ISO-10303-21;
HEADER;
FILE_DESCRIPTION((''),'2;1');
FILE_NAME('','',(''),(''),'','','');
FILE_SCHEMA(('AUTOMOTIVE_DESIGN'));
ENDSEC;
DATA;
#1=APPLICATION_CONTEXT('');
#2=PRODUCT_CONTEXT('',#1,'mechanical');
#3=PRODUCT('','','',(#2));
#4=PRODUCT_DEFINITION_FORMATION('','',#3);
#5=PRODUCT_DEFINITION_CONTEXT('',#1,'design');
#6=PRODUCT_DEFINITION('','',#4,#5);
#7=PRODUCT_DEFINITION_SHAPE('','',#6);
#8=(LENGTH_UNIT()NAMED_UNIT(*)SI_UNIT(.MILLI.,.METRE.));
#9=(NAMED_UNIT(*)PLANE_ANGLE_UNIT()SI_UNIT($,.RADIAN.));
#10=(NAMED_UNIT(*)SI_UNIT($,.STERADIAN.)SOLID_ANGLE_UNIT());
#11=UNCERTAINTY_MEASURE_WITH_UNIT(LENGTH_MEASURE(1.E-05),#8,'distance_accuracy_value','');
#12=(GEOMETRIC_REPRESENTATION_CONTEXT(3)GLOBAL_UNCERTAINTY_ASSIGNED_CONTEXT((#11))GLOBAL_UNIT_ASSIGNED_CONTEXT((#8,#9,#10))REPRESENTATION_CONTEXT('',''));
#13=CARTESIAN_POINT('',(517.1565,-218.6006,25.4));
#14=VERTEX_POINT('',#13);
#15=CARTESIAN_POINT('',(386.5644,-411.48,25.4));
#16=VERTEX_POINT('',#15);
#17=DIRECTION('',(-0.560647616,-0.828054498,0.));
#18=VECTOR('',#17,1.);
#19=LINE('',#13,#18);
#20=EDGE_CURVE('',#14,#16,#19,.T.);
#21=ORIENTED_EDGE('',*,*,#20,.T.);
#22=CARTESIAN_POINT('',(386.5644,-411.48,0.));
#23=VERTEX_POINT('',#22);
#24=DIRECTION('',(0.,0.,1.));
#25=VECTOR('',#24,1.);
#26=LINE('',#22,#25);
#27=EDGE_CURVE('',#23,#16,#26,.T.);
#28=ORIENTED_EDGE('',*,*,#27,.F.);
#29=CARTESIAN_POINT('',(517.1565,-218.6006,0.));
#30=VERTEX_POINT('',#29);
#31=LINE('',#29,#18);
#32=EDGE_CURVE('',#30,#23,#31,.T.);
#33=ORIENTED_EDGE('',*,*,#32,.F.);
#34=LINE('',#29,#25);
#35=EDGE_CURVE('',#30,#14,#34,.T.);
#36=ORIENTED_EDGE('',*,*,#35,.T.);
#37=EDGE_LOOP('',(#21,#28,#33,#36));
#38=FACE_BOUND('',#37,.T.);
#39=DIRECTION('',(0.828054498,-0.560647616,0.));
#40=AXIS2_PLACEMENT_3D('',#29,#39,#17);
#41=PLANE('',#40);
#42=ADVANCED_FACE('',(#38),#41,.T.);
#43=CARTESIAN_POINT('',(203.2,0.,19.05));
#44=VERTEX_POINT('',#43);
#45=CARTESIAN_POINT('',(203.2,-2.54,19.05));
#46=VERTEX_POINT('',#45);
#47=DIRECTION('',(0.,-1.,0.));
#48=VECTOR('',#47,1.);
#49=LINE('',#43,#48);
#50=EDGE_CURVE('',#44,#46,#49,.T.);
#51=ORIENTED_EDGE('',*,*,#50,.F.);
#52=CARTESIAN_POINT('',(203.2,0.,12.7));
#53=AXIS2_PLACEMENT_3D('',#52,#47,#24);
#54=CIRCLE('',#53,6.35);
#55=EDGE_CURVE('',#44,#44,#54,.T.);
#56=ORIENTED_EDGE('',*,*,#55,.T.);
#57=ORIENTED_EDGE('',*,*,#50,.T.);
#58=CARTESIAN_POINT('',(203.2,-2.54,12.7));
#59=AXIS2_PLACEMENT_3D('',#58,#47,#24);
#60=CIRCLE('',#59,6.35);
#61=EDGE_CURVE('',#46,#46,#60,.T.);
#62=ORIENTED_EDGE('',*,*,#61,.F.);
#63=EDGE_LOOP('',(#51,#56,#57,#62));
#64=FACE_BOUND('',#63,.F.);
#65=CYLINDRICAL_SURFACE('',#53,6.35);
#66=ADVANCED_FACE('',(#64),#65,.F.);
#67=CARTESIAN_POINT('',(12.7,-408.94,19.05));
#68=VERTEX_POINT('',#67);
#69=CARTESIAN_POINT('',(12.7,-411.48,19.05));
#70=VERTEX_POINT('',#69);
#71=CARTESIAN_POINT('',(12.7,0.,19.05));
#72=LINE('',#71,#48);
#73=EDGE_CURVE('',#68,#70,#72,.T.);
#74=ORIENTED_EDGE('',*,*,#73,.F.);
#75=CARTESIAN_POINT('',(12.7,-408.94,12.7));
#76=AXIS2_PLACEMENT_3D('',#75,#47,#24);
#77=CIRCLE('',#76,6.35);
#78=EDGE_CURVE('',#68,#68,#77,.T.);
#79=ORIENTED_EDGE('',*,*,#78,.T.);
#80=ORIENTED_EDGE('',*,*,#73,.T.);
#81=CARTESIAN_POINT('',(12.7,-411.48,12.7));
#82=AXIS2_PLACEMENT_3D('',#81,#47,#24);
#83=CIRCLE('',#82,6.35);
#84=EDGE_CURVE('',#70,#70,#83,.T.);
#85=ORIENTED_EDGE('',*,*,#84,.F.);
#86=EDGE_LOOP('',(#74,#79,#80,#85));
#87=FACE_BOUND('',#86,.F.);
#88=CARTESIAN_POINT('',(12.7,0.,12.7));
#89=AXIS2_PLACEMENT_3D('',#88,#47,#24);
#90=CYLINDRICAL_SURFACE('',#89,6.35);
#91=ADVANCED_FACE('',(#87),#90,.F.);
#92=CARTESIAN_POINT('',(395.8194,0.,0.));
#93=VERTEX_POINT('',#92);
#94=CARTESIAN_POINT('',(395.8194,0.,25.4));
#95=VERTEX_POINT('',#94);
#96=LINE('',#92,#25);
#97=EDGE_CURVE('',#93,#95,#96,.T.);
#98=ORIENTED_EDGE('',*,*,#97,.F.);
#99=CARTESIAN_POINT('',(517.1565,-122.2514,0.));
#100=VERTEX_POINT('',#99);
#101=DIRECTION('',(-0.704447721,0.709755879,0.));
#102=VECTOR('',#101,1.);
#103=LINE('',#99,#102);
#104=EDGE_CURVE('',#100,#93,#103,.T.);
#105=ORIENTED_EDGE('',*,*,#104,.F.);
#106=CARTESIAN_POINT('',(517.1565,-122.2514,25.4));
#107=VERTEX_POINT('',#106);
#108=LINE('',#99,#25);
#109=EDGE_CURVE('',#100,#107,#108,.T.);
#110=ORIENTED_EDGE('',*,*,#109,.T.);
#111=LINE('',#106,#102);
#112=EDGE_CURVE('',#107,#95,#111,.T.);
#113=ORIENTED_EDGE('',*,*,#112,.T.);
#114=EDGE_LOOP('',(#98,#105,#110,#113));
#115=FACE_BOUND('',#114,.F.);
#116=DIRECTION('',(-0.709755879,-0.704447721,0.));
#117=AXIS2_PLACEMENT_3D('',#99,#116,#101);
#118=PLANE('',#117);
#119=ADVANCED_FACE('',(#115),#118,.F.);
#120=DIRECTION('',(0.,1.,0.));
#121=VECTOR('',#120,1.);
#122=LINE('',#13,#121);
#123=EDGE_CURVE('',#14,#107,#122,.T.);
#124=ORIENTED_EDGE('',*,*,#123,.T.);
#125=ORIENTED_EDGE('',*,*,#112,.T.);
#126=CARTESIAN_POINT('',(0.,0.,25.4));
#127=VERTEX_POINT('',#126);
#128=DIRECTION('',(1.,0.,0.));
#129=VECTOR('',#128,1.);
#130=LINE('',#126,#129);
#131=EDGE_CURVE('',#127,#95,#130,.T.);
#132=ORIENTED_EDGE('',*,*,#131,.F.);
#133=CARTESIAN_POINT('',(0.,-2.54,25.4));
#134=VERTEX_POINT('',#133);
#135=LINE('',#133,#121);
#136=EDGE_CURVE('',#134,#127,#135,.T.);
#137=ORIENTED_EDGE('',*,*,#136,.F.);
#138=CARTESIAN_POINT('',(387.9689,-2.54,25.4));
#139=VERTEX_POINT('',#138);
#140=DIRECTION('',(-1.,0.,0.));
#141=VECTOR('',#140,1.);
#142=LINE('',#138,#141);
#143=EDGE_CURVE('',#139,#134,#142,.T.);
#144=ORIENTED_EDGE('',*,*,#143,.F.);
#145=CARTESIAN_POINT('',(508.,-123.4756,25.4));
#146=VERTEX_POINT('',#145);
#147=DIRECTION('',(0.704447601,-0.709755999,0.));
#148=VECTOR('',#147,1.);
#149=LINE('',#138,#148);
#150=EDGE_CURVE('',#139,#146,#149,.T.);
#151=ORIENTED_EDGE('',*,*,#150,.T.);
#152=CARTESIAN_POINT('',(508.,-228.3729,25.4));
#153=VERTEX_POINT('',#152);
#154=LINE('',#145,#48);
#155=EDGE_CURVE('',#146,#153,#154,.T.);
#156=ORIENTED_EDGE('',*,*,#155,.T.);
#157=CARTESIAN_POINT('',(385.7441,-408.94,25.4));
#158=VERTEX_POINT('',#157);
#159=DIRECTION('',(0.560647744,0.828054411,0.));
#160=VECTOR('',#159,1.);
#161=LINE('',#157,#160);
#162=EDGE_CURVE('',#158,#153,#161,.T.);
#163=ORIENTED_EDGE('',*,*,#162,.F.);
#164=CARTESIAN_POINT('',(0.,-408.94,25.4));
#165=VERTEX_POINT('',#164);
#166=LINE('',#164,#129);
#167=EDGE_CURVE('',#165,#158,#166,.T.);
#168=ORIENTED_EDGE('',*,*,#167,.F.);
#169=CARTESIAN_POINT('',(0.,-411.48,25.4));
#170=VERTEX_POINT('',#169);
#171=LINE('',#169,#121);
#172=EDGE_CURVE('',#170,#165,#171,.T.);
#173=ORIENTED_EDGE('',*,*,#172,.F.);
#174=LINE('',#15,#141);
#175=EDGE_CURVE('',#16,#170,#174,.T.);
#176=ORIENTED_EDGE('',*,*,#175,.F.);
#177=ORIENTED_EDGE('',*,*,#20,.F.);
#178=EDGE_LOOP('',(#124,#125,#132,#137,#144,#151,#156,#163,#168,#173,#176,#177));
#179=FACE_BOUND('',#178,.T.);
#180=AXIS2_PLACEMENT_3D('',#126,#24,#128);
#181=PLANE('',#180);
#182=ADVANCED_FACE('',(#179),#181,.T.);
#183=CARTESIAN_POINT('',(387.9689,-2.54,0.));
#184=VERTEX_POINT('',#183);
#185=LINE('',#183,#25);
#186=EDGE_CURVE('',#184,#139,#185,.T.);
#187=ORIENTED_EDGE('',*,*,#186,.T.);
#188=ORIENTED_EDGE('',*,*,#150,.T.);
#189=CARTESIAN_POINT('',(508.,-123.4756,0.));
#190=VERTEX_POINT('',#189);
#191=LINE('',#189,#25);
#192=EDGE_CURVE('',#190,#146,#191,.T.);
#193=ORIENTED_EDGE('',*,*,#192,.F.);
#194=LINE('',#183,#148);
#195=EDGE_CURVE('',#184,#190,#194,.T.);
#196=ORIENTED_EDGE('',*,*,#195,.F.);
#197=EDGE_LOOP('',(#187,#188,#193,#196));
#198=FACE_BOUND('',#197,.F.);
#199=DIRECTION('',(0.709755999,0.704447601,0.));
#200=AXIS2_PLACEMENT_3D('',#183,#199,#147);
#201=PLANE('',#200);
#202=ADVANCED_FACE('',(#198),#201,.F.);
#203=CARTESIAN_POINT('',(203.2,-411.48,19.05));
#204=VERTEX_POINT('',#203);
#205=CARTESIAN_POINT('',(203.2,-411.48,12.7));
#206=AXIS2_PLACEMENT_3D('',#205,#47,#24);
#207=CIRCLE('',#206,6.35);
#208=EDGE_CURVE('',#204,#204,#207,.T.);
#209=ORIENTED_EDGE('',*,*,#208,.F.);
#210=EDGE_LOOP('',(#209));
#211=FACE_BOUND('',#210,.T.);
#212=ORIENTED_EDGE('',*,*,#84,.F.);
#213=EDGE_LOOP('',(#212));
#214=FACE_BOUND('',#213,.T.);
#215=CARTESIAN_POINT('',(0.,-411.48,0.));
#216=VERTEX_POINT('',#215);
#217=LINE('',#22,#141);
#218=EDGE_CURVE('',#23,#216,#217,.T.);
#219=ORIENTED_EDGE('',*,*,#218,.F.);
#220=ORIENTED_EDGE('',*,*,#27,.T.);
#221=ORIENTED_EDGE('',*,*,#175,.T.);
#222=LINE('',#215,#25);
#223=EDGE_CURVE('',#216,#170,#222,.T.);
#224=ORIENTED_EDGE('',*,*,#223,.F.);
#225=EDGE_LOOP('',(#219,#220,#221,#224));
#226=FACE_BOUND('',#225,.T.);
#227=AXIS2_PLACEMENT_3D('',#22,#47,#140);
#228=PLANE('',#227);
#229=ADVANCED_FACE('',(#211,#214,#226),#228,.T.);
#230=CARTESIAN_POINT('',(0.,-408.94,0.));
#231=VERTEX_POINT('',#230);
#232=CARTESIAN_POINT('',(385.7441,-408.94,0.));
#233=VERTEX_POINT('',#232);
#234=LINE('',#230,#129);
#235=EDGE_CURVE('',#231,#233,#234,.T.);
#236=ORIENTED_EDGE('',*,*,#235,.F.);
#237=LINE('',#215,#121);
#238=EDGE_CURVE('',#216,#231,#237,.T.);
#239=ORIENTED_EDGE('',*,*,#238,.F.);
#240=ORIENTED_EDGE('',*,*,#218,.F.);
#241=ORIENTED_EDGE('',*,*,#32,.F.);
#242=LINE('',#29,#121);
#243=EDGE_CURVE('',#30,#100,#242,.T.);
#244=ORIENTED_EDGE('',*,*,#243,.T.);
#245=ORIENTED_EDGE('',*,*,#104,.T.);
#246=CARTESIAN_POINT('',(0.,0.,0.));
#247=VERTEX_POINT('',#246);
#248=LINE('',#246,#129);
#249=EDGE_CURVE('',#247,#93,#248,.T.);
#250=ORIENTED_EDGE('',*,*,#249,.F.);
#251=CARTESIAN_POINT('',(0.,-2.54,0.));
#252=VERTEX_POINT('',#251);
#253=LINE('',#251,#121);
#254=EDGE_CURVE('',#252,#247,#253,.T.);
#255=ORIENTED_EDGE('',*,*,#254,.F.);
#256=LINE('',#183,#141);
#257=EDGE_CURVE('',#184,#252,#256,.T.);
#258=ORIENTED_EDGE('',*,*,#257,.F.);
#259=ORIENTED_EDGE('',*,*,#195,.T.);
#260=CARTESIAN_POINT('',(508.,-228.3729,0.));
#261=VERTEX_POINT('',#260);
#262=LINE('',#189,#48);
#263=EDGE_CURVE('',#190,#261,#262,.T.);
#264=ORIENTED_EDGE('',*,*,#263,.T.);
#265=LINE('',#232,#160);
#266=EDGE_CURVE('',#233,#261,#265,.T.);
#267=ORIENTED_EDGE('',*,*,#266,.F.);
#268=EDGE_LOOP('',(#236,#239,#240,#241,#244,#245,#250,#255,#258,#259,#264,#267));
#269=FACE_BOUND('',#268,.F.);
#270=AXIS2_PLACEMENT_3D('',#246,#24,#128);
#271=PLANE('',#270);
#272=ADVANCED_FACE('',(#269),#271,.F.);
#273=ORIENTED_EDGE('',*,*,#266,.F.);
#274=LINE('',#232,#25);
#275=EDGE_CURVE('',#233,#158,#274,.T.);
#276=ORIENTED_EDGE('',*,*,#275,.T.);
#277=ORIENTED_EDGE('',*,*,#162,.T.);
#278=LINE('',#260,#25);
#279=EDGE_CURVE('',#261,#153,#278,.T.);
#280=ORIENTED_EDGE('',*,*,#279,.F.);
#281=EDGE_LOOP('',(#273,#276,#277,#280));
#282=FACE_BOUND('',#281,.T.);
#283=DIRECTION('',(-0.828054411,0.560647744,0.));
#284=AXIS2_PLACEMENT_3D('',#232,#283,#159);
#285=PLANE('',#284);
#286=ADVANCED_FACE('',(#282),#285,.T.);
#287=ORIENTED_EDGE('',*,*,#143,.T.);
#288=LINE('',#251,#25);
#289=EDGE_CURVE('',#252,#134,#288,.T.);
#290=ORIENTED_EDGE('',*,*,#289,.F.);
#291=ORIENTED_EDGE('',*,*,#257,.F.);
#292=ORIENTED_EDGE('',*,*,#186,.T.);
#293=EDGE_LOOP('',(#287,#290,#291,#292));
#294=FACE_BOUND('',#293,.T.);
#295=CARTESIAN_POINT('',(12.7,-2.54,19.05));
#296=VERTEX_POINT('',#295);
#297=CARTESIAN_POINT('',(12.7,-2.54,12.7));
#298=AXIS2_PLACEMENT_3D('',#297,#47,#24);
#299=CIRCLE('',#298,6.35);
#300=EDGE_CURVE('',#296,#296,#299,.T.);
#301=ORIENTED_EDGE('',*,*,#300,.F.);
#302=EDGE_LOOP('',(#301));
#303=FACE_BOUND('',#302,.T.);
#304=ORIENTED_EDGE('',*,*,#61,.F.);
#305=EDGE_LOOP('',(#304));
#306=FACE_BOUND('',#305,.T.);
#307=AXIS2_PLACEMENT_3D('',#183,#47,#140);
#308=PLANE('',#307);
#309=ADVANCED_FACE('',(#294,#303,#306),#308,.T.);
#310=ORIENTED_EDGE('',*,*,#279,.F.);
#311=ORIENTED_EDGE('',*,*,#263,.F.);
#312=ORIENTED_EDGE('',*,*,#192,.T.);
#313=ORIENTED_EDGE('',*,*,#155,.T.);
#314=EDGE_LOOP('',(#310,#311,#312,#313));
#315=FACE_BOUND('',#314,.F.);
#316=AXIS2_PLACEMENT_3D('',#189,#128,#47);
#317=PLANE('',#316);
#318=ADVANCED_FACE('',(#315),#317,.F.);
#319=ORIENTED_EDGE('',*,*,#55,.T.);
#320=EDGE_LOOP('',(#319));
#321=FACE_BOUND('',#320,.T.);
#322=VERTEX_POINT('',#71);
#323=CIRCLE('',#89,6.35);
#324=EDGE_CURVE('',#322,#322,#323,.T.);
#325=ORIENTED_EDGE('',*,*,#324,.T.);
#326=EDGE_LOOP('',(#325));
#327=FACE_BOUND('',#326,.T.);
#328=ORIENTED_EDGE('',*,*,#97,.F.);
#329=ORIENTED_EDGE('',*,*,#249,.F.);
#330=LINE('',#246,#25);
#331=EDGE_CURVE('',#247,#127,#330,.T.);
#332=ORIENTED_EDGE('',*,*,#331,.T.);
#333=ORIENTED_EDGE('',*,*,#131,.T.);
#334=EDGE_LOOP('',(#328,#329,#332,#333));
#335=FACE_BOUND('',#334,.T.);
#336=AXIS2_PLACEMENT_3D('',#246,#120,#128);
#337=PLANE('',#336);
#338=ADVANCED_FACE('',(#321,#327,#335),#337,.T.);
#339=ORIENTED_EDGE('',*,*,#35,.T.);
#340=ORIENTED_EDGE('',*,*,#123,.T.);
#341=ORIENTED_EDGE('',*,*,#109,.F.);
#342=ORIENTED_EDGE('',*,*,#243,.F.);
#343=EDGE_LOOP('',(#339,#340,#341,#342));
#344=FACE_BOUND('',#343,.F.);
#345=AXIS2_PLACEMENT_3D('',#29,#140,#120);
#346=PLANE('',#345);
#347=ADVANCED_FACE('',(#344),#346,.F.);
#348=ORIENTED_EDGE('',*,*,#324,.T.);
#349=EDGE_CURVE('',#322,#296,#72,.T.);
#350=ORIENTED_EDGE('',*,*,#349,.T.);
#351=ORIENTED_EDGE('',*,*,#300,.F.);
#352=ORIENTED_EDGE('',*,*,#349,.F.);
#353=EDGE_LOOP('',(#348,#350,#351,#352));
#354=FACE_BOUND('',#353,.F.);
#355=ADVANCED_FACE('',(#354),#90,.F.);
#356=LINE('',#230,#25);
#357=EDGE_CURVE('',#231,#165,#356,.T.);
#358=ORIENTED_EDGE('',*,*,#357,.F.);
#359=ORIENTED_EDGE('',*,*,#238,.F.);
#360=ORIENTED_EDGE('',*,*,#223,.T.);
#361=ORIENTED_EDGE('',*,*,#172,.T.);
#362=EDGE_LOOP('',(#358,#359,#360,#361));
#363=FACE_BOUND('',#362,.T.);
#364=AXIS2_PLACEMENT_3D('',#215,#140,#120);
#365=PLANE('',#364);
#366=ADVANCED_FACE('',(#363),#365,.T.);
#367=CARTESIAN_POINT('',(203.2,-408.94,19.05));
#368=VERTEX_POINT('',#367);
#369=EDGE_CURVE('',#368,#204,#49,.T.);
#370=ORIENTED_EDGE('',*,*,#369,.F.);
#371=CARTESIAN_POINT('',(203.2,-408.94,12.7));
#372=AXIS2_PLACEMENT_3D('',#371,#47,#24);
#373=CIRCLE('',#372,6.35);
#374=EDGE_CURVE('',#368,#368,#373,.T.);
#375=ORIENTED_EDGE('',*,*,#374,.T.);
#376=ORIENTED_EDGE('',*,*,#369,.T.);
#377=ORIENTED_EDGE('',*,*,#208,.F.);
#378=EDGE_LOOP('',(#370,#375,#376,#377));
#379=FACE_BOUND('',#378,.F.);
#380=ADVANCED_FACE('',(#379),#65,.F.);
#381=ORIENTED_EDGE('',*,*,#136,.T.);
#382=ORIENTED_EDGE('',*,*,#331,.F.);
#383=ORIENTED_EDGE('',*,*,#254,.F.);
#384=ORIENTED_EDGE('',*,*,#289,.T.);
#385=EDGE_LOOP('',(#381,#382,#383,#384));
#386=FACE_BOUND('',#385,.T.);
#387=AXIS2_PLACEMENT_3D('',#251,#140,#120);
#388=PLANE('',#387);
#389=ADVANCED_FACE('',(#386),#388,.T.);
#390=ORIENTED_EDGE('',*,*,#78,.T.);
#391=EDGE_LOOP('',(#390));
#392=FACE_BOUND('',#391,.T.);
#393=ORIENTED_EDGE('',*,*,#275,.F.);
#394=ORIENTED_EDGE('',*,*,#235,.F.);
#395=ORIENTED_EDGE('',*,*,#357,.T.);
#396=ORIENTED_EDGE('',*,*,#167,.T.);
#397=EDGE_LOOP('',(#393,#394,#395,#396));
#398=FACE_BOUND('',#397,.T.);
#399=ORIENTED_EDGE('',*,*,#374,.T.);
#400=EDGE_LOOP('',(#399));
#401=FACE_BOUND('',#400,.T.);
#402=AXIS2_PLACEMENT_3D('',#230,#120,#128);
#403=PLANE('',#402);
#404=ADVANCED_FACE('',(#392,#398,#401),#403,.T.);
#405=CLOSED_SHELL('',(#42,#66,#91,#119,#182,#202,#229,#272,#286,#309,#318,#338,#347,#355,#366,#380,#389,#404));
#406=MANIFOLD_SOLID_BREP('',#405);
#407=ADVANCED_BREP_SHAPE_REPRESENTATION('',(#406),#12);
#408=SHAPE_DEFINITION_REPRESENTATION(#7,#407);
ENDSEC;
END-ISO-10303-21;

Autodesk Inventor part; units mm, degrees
ref_plane "YZ Plane" through (0, 0, 0) normal (1, 0, 0) x (0, 1, 0)
ref_plane "XZ Plane" through (0, 0, 0) normal (0, 1, 0) x (-1, 0, 0)
ref_plane "XY Plane" through (0, 0, 0) normal (0, 0, 1) x (1, 0, 0)
sketch "Sketch9" plane through (0, 0, 0) normal (0, 0, 1) x (1, 0, 0)
  line L0 (0, 0) -> (395.8194, 0)
  line L1 (387.9689, -2.54) -> (508, -123.4756)
  line L2 (508, -123.4756) -> (508, -228.3729)
  line L3 (517.1565, -218.6006) -> (386.5644, -411.48)
  line L4 (386.5644, -411.48) -> (0, -411.48)
  line L5 (0, -411.48) -> (0, -408.94)
  line L6 (0, -408.94) -> (385.7441, -408.94)
  line L7 (385.7441, -408.94) -> (508, -228.3729)
  line L8 (517.1565, -218.6006) -> (517.1565, -122.2514)
  line L9 (517.1565, -122.2514) -> (395.8194, 0)
  line L10 (387.9689, -2.54) -> (0, -2.54)
  line L11 (0, -2.54) -> (0, 0)
  dimension "d32" = 508
  dimension "d35" = 406.4
  dimension "d36" = 2.54
  dimension "d37" = 2.54
extrude "Extrusion6" add sketch "Sketch9" along normal blind 25.4
hole "Hole1" at (12.7, 0, 12.7) direction (0, -1, 0) diameter 12.7 end through all
hole "Hole2" at (203.2, 0, 12.7) direction (0, -1, 0) diameter 12.7 end through all
properties part number "4barRoundedBar"
